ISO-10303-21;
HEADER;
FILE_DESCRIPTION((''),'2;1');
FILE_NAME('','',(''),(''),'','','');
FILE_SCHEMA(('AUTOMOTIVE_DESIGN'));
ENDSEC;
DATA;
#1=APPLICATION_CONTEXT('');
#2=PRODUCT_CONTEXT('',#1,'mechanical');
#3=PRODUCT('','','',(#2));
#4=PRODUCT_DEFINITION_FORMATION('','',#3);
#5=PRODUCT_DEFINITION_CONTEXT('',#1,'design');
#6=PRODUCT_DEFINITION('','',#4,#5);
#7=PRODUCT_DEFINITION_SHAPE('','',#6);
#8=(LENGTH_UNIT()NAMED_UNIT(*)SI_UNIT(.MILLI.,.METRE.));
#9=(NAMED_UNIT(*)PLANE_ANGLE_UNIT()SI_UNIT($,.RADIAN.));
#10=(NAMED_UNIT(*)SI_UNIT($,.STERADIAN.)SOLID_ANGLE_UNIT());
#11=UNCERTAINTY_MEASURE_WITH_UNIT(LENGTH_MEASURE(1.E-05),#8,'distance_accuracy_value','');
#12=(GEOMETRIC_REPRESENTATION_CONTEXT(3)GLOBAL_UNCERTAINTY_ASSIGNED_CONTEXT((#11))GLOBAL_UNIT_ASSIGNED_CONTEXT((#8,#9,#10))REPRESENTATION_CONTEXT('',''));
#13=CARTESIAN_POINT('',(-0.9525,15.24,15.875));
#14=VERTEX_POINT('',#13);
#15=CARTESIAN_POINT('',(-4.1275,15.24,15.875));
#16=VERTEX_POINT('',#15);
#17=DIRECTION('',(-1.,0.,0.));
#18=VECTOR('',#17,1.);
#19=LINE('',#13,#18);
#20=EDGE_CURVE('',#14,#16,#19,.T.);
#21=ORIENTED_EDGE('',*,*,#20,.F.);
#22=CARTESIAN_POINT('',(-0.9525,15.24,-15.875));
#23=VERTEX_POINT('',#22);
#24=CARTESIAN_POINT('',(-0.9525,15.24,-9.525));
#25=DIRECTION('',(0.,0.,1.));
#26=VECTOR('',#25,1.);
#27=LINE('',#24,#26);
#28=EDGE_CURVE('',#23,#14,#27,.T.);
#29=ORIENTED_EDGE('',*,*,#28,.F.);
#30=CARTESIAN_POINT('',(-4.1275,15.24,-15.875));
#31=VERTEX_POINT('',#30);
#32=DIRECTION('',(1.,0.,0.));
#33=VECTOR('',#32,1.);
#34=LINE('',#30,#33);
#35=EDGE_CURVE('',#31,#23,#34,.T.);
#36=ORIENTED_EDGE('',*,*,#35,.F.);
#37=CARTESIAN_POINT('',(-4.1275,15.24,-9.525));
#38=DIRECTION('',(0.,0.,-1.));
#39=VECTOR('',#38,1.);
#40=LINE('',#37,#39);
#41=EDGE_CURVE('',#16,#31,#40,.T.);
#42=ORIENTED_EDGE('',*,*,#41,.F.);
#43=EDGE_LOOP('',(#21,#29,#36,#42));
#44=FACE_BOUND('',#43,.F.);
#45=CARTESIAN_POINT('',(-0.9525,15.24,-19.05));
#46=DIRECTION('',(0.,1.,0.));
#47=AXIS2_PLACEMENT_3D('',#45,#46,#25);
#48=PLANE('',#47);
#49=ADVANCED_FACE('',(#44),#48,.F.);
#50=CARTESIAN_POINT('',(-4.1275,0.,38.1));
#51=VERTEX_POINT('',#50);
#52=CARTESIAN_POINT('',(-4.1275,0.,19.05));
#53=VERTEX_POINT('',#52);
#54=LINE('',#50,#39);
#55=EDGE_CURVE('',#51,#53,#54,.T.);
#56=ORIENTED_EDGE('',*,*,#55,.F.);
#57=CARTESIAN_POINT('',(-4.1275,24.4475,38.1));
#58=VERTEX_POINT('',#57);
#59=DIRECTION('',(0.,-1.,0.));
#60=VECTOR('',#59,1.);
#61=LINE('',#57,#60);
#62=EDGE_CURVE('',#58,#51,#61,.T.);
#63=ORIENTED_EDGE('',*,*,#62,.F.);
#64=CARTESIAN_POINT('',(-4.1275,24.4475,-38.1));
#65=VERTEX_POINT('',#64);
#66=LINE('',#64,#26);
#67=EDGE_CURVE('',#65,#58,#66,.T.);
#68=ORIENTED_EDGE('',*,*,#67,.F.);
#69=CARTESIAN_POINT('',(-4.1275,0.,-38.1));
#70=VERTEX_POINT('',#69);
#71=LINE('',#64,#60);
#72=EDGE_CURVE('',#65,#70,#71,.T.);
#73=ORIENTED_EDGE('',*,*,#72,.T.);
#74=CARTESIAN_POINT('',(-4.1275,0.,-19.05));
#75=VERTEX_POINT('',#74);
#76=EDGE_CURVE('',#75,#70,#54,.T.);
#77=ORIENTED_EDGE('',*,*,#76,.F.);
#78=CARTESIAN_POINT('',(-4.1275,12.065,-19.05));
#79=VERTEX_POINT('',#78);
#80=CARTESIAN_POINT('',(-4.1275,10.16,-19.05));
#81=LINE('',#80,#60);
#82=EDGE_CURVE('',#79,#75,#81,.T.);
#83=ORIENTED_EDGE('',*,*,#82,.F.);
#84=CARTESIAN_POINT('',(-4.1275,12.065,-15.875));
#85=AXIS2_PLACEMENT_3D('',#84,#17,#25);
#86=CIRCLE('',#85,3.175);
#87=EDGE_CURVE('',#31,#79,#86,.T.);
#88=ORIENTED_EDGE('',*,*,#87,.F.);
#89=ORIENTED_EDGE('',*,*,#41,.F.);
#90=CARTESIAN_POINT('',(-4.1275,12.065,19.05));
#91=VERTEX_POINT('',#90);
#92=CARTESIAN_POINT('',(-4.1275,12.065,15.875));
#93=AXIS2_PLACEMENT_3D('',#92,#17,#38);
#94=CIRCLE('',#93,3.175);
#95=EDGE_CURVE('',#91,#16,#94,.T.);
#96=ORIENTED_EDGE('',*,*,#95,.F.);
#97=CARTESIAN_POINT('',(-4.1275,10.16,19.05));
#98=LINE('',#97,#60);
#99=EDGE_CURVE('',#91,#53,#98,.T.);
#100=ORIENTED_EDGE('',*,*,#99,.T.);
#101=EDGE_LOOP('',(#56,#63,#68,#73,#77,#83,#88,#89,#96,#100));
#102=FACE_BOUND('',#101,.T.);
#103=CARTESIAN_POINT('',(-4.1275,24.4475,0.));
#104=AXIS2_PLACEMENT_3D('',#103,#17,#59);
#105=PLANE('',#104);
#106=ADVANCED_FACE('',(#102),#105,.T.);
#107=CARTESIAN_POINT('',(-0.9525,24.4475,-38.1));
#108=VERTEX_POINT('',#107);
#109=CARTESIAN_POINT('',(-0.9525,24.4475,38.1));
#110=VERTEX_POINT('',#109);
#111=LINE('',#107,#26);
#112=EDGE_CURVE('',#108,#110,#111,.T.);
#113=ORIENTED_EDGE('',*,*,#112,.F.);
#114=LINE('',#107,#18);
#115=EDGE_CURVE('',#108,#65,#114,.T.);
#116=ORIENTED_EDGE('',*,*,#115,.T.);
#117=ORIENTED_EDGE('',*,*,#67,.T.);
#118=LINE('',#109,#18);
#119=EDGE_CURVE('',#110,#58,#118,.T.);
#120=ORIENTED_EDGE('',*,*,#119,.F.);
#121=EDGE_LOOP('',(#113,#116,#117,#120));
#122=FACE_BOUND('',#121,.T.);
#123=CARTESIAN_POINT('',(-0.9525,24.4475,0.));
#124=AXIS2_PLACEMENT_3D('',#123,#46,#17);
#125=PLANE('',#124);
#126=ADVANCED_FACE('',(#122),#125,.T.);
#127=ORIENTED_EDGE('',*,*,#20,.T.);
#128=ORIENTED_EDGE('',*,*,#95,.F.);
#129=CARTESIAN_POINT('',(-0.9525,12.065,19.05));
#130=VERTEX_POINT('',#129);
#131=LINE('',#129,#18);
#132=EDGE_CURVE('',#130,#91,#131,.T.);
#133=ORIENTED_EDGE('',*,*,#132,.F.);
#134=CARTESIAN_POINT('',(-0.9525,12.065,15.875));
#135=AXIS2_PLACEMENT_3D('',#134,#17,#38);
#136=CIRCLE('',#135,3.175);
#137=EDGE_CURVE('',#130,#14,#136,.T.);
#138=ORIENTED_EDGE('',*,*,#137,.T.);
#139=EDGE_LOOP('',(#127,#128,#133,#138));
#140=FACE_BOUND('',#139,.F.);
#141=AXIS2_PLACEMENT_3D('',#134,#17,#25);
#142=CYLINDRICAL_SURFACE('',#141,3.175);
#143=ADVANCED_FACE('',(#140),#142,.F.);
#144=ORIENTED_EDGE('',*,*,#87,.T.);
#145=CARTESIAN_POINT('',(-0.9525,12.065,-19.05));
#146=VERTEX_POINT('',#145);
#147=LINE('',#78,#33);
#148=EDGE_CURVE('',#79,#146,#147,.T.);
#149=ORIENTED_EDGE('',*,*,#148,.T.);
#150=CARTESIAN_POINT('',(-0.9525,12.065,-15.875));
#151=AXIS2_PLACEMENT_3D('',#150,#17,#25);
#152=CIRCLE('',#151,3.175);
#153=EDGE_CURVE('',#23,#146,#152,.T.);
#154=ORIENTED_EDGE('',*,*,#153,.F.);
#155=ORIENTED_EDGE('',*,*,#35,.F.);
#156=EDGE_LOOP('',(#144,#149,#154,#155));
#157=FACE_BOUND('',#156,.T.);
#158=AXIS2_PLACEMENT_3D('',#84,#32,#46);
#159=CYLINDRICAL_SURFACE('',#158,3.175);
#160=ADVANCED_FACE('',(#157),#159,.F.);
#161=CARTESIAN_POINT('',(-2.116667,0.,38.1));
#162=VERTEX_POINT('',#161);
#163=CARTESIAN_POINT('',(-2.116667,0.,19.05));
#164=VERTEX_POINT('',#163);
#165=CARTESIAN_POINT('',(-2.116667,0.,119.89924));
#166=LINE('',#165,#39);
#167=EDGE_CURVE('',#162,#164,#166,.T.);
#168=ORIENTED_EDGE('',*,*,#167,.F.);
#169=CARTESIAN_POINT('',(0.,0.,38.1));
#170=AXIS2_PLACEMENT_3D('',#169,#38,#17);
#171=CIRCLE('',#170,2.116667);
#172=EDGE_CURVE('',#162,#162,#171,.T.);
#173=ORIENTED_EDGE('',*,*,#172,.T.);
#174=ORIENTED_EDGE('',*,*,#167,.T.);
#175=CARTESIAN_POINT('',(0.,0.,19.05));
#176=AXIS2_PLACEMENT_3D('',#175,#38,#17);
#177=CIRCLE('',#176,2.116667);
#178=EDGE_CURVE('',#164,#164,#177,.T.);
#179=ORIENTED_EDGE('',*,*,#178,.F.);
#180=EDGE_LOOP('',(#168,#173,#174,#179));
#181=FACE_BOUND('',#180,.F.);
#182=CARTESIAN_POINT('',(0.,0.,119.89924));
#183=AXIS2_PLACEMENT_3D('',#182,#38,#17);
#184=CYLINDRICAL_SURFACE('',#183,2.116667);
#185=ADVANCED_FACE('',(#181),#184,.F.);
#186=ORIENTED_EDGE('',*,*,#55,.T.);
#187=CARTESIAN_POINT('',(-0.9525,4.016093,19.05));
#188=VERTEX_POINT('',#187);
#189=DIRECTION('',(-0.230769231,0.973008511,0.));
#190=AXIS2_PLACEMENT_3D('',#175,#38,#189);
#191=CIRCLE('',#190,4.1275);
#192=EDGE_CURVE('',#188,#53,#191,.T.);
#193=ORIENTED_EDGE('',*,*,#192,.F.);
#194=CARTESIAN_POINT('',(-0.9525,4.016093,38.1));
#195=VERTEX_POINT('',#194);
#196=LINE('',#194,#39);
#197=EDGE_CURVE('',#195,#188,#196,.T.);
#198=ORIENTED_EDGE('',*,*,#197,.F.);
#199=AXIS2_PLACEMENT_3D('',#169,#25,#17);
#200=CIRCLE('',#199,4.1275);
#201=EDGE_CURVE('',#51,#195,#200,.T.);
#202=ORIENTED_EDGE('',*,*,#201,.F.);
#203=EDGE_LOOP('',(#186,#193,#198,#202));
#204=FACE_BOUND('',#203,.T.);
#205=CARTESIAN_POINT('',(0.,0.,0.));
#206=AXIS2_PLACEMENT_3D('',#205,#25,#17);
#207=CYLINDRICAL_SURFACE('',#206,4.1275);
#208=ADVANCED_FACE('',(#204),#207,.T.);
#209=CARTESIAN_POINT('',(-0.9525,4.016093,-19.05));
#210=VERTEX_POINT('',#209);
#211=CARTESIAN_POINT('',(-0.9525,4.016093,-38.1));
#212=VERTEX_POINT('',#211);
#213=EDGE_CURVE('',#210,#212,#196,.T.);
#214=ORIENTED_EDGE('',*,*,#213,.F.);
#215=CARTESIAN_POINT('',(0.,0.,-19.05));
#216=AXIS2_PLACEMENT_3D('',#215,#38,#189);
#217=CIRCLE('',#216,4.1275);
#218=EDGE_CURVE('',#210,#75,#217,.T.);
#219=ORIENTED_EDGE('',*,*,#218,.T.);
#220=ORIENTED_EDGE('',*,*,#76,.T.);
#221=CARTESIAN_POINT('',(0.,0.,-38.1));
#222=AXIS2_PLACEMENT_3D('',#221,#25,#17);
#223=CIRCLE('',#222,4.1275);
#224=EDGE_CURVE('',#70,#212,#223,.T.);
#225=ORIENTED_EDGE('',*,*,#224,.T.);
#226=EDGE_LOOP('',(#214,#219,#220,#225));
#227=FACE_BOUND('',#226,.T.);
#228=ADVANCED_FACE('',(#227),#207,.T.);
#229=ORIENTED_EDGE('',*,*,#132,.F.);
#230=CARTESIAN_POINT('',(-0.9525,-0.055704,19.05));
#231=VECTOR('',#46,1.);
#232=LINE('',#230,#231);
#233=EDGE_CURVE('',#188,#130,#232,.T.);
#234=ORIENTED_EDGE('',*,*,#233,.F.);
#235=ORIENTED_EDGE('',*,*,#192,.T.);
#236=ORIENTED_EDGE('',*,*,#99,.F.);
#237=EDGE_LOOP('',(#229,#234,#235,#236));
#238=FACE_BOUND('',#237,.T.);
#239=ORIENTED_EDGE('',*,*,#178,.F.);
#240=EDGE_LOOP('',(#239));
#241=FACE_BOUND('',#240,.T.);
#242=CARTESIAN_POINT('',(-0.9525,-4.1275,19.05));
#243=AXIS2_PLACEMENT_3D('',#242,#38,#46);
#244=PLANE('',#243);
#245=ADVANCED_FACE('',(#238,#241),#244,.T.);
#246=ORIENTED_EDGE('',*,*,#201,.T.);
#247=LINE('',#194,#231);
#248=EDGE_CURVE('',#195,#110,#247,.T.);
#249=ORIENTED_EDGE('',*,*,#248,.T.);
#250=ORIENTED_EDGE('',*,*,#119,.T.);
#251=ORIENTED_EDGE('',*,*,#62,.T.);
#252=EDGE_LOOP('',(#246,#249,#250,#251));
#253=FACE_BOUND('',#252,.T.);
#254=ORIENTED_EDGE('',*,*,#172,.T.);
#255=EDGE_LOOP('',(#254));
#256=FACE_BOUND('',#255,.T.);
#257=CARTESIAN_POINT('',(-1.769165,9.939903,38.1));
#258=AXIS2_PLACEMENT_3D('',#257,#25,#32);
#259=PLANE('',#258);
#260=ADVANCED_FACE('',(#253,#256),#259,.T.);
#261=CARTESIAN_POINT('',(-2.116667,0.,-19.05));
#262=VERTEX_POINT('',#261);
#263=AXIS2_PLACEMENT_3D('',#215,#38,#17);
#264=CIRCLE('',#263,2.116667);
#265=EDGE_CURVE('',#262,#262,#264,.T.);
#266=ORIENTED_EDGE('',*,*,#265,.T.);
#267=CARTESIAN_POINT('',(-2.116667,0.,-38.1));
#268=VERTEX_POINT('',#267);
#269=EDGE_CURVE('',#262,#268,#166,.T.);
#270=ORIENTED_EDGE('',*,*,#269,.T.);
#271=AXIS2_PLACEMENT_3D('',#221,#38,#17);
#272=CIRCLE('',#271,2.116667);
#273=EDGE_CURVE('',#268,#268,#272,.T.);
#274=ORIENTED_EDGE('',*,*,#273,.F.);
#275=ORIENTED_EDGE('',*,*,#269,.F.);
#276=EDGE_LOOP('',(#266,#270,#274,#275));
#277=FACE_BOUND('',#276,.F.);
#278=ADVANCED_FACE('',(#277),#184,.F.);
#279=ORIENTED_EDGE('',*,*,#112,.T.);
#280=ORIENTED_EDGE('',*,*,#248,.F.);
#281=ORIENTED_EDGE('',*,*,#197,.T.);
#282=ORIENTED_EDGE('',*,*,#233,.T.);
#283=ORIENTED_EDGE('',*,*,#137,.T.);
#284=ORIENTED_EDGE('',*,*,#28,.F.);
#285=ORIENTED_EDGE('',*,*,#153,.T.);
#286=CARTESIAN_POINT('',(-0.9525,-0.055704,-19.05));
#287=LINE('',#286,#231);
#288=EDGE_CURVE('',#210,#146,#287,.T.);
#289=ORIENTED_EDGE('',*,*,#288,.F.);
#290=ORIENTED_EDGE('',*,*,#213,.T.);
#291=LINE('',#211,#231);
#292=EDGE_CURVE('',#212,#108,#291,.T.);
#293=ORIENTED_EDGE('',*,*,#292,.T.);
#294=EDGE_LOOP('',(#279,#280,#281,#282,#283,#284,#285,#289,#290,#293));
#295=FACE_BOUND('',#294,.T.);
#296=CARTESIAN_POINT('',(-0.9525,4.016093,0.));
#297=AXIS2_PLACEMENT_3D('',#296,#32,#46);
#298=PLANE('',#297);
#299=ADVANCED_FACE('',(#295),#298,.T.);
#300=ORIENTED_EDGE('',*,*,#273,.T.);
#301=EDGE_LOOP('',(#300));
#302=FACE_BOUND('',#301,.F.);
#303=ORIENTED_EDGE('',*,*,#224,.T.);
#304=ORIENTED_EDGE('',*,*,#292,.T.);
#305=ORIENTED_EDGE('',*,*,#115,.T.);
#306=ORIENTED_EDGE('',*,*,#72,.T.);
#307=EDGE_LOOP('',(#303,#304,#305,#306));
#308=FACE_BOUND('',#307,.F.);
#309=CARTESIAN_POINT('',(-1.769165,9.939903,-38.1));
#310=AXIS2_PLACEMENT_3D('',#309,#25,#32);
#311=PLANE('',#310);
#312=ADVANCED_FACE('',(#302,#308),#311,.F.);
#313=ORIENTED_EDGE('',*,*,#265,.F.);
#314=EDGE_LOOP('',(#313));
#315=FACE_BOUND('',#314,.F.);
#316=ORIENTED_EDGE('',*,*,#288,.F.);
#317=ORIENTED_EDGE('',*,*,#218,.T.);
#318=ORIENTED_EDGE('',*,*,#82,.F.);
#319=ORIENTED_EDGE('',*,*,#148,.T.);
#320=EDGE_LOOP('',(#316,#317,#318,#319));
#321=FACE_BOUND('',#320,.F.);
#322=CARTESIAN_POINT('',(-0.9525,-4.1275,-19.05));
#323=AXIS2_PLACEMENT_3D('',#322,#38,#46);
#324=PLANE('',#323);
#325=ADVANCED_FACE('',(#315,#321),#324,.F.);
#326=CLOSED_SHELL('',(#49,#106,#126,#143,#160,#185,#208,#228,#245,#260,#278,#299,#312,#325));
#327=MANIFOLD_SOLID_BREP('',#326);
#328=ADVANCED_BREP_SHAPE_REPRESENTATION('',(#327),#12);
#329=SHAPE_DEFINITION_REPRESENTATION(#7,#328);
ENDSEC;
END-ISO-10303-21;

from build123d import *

# Parameters (mm, degrees)
F1_DEPTH = 38.1
F3_D     = 4.2333333333
F4_W     = 19.3675
F4_H     = 38.1
F5_DEPTH = 12.7
F6_R     = 3.175


with BuildPart() as f1:
    # F0 (on Top) → F1 (new body, symmetric)
    with BuildSketch(Plane.XY):
        with BuildLine():
            Line((-0.9525, 4.0160926284), (-0.9525, 24.4475))
            Line((-0.9525, 24.4475), (-4.1275, 24.4475))
            Line((-4.1275, 24.4475), (-4.1275, 0))
            ThreePointArc((-4.1275, 0), (3.2378773911, -2.5597668351), (-0.9525, 4.0160926284))
        make_face()
    extrude(amount=F1_DEPTH, both=True)

    # F3 (through all)
    with Locations(Plane.XY.offset(38.1)):
        with Locations((0, 0)):
            Hole(F3_D / 2)

    # F4 (on face) → F5 (cut, symmetric)
    with BuildSketch(Plane.YZ.offset(-0.9525)):
        with Locations((5.55625, 0)):
            Rectangle(F4_W, F4_H)
    extrude(amount=F5_DEPTH, both=True, mode=Mode.SUBTRACT)

    # F6
    f6_edges = [f1.edges().sort_by_distance(p)[0] for p in [
        (-2.54, 15.24, 19.05),
        (-2.54, 15.24, -19.05),
    ]]
    fillet(f6_edges, radius=F6_R)


solid = f1.part
